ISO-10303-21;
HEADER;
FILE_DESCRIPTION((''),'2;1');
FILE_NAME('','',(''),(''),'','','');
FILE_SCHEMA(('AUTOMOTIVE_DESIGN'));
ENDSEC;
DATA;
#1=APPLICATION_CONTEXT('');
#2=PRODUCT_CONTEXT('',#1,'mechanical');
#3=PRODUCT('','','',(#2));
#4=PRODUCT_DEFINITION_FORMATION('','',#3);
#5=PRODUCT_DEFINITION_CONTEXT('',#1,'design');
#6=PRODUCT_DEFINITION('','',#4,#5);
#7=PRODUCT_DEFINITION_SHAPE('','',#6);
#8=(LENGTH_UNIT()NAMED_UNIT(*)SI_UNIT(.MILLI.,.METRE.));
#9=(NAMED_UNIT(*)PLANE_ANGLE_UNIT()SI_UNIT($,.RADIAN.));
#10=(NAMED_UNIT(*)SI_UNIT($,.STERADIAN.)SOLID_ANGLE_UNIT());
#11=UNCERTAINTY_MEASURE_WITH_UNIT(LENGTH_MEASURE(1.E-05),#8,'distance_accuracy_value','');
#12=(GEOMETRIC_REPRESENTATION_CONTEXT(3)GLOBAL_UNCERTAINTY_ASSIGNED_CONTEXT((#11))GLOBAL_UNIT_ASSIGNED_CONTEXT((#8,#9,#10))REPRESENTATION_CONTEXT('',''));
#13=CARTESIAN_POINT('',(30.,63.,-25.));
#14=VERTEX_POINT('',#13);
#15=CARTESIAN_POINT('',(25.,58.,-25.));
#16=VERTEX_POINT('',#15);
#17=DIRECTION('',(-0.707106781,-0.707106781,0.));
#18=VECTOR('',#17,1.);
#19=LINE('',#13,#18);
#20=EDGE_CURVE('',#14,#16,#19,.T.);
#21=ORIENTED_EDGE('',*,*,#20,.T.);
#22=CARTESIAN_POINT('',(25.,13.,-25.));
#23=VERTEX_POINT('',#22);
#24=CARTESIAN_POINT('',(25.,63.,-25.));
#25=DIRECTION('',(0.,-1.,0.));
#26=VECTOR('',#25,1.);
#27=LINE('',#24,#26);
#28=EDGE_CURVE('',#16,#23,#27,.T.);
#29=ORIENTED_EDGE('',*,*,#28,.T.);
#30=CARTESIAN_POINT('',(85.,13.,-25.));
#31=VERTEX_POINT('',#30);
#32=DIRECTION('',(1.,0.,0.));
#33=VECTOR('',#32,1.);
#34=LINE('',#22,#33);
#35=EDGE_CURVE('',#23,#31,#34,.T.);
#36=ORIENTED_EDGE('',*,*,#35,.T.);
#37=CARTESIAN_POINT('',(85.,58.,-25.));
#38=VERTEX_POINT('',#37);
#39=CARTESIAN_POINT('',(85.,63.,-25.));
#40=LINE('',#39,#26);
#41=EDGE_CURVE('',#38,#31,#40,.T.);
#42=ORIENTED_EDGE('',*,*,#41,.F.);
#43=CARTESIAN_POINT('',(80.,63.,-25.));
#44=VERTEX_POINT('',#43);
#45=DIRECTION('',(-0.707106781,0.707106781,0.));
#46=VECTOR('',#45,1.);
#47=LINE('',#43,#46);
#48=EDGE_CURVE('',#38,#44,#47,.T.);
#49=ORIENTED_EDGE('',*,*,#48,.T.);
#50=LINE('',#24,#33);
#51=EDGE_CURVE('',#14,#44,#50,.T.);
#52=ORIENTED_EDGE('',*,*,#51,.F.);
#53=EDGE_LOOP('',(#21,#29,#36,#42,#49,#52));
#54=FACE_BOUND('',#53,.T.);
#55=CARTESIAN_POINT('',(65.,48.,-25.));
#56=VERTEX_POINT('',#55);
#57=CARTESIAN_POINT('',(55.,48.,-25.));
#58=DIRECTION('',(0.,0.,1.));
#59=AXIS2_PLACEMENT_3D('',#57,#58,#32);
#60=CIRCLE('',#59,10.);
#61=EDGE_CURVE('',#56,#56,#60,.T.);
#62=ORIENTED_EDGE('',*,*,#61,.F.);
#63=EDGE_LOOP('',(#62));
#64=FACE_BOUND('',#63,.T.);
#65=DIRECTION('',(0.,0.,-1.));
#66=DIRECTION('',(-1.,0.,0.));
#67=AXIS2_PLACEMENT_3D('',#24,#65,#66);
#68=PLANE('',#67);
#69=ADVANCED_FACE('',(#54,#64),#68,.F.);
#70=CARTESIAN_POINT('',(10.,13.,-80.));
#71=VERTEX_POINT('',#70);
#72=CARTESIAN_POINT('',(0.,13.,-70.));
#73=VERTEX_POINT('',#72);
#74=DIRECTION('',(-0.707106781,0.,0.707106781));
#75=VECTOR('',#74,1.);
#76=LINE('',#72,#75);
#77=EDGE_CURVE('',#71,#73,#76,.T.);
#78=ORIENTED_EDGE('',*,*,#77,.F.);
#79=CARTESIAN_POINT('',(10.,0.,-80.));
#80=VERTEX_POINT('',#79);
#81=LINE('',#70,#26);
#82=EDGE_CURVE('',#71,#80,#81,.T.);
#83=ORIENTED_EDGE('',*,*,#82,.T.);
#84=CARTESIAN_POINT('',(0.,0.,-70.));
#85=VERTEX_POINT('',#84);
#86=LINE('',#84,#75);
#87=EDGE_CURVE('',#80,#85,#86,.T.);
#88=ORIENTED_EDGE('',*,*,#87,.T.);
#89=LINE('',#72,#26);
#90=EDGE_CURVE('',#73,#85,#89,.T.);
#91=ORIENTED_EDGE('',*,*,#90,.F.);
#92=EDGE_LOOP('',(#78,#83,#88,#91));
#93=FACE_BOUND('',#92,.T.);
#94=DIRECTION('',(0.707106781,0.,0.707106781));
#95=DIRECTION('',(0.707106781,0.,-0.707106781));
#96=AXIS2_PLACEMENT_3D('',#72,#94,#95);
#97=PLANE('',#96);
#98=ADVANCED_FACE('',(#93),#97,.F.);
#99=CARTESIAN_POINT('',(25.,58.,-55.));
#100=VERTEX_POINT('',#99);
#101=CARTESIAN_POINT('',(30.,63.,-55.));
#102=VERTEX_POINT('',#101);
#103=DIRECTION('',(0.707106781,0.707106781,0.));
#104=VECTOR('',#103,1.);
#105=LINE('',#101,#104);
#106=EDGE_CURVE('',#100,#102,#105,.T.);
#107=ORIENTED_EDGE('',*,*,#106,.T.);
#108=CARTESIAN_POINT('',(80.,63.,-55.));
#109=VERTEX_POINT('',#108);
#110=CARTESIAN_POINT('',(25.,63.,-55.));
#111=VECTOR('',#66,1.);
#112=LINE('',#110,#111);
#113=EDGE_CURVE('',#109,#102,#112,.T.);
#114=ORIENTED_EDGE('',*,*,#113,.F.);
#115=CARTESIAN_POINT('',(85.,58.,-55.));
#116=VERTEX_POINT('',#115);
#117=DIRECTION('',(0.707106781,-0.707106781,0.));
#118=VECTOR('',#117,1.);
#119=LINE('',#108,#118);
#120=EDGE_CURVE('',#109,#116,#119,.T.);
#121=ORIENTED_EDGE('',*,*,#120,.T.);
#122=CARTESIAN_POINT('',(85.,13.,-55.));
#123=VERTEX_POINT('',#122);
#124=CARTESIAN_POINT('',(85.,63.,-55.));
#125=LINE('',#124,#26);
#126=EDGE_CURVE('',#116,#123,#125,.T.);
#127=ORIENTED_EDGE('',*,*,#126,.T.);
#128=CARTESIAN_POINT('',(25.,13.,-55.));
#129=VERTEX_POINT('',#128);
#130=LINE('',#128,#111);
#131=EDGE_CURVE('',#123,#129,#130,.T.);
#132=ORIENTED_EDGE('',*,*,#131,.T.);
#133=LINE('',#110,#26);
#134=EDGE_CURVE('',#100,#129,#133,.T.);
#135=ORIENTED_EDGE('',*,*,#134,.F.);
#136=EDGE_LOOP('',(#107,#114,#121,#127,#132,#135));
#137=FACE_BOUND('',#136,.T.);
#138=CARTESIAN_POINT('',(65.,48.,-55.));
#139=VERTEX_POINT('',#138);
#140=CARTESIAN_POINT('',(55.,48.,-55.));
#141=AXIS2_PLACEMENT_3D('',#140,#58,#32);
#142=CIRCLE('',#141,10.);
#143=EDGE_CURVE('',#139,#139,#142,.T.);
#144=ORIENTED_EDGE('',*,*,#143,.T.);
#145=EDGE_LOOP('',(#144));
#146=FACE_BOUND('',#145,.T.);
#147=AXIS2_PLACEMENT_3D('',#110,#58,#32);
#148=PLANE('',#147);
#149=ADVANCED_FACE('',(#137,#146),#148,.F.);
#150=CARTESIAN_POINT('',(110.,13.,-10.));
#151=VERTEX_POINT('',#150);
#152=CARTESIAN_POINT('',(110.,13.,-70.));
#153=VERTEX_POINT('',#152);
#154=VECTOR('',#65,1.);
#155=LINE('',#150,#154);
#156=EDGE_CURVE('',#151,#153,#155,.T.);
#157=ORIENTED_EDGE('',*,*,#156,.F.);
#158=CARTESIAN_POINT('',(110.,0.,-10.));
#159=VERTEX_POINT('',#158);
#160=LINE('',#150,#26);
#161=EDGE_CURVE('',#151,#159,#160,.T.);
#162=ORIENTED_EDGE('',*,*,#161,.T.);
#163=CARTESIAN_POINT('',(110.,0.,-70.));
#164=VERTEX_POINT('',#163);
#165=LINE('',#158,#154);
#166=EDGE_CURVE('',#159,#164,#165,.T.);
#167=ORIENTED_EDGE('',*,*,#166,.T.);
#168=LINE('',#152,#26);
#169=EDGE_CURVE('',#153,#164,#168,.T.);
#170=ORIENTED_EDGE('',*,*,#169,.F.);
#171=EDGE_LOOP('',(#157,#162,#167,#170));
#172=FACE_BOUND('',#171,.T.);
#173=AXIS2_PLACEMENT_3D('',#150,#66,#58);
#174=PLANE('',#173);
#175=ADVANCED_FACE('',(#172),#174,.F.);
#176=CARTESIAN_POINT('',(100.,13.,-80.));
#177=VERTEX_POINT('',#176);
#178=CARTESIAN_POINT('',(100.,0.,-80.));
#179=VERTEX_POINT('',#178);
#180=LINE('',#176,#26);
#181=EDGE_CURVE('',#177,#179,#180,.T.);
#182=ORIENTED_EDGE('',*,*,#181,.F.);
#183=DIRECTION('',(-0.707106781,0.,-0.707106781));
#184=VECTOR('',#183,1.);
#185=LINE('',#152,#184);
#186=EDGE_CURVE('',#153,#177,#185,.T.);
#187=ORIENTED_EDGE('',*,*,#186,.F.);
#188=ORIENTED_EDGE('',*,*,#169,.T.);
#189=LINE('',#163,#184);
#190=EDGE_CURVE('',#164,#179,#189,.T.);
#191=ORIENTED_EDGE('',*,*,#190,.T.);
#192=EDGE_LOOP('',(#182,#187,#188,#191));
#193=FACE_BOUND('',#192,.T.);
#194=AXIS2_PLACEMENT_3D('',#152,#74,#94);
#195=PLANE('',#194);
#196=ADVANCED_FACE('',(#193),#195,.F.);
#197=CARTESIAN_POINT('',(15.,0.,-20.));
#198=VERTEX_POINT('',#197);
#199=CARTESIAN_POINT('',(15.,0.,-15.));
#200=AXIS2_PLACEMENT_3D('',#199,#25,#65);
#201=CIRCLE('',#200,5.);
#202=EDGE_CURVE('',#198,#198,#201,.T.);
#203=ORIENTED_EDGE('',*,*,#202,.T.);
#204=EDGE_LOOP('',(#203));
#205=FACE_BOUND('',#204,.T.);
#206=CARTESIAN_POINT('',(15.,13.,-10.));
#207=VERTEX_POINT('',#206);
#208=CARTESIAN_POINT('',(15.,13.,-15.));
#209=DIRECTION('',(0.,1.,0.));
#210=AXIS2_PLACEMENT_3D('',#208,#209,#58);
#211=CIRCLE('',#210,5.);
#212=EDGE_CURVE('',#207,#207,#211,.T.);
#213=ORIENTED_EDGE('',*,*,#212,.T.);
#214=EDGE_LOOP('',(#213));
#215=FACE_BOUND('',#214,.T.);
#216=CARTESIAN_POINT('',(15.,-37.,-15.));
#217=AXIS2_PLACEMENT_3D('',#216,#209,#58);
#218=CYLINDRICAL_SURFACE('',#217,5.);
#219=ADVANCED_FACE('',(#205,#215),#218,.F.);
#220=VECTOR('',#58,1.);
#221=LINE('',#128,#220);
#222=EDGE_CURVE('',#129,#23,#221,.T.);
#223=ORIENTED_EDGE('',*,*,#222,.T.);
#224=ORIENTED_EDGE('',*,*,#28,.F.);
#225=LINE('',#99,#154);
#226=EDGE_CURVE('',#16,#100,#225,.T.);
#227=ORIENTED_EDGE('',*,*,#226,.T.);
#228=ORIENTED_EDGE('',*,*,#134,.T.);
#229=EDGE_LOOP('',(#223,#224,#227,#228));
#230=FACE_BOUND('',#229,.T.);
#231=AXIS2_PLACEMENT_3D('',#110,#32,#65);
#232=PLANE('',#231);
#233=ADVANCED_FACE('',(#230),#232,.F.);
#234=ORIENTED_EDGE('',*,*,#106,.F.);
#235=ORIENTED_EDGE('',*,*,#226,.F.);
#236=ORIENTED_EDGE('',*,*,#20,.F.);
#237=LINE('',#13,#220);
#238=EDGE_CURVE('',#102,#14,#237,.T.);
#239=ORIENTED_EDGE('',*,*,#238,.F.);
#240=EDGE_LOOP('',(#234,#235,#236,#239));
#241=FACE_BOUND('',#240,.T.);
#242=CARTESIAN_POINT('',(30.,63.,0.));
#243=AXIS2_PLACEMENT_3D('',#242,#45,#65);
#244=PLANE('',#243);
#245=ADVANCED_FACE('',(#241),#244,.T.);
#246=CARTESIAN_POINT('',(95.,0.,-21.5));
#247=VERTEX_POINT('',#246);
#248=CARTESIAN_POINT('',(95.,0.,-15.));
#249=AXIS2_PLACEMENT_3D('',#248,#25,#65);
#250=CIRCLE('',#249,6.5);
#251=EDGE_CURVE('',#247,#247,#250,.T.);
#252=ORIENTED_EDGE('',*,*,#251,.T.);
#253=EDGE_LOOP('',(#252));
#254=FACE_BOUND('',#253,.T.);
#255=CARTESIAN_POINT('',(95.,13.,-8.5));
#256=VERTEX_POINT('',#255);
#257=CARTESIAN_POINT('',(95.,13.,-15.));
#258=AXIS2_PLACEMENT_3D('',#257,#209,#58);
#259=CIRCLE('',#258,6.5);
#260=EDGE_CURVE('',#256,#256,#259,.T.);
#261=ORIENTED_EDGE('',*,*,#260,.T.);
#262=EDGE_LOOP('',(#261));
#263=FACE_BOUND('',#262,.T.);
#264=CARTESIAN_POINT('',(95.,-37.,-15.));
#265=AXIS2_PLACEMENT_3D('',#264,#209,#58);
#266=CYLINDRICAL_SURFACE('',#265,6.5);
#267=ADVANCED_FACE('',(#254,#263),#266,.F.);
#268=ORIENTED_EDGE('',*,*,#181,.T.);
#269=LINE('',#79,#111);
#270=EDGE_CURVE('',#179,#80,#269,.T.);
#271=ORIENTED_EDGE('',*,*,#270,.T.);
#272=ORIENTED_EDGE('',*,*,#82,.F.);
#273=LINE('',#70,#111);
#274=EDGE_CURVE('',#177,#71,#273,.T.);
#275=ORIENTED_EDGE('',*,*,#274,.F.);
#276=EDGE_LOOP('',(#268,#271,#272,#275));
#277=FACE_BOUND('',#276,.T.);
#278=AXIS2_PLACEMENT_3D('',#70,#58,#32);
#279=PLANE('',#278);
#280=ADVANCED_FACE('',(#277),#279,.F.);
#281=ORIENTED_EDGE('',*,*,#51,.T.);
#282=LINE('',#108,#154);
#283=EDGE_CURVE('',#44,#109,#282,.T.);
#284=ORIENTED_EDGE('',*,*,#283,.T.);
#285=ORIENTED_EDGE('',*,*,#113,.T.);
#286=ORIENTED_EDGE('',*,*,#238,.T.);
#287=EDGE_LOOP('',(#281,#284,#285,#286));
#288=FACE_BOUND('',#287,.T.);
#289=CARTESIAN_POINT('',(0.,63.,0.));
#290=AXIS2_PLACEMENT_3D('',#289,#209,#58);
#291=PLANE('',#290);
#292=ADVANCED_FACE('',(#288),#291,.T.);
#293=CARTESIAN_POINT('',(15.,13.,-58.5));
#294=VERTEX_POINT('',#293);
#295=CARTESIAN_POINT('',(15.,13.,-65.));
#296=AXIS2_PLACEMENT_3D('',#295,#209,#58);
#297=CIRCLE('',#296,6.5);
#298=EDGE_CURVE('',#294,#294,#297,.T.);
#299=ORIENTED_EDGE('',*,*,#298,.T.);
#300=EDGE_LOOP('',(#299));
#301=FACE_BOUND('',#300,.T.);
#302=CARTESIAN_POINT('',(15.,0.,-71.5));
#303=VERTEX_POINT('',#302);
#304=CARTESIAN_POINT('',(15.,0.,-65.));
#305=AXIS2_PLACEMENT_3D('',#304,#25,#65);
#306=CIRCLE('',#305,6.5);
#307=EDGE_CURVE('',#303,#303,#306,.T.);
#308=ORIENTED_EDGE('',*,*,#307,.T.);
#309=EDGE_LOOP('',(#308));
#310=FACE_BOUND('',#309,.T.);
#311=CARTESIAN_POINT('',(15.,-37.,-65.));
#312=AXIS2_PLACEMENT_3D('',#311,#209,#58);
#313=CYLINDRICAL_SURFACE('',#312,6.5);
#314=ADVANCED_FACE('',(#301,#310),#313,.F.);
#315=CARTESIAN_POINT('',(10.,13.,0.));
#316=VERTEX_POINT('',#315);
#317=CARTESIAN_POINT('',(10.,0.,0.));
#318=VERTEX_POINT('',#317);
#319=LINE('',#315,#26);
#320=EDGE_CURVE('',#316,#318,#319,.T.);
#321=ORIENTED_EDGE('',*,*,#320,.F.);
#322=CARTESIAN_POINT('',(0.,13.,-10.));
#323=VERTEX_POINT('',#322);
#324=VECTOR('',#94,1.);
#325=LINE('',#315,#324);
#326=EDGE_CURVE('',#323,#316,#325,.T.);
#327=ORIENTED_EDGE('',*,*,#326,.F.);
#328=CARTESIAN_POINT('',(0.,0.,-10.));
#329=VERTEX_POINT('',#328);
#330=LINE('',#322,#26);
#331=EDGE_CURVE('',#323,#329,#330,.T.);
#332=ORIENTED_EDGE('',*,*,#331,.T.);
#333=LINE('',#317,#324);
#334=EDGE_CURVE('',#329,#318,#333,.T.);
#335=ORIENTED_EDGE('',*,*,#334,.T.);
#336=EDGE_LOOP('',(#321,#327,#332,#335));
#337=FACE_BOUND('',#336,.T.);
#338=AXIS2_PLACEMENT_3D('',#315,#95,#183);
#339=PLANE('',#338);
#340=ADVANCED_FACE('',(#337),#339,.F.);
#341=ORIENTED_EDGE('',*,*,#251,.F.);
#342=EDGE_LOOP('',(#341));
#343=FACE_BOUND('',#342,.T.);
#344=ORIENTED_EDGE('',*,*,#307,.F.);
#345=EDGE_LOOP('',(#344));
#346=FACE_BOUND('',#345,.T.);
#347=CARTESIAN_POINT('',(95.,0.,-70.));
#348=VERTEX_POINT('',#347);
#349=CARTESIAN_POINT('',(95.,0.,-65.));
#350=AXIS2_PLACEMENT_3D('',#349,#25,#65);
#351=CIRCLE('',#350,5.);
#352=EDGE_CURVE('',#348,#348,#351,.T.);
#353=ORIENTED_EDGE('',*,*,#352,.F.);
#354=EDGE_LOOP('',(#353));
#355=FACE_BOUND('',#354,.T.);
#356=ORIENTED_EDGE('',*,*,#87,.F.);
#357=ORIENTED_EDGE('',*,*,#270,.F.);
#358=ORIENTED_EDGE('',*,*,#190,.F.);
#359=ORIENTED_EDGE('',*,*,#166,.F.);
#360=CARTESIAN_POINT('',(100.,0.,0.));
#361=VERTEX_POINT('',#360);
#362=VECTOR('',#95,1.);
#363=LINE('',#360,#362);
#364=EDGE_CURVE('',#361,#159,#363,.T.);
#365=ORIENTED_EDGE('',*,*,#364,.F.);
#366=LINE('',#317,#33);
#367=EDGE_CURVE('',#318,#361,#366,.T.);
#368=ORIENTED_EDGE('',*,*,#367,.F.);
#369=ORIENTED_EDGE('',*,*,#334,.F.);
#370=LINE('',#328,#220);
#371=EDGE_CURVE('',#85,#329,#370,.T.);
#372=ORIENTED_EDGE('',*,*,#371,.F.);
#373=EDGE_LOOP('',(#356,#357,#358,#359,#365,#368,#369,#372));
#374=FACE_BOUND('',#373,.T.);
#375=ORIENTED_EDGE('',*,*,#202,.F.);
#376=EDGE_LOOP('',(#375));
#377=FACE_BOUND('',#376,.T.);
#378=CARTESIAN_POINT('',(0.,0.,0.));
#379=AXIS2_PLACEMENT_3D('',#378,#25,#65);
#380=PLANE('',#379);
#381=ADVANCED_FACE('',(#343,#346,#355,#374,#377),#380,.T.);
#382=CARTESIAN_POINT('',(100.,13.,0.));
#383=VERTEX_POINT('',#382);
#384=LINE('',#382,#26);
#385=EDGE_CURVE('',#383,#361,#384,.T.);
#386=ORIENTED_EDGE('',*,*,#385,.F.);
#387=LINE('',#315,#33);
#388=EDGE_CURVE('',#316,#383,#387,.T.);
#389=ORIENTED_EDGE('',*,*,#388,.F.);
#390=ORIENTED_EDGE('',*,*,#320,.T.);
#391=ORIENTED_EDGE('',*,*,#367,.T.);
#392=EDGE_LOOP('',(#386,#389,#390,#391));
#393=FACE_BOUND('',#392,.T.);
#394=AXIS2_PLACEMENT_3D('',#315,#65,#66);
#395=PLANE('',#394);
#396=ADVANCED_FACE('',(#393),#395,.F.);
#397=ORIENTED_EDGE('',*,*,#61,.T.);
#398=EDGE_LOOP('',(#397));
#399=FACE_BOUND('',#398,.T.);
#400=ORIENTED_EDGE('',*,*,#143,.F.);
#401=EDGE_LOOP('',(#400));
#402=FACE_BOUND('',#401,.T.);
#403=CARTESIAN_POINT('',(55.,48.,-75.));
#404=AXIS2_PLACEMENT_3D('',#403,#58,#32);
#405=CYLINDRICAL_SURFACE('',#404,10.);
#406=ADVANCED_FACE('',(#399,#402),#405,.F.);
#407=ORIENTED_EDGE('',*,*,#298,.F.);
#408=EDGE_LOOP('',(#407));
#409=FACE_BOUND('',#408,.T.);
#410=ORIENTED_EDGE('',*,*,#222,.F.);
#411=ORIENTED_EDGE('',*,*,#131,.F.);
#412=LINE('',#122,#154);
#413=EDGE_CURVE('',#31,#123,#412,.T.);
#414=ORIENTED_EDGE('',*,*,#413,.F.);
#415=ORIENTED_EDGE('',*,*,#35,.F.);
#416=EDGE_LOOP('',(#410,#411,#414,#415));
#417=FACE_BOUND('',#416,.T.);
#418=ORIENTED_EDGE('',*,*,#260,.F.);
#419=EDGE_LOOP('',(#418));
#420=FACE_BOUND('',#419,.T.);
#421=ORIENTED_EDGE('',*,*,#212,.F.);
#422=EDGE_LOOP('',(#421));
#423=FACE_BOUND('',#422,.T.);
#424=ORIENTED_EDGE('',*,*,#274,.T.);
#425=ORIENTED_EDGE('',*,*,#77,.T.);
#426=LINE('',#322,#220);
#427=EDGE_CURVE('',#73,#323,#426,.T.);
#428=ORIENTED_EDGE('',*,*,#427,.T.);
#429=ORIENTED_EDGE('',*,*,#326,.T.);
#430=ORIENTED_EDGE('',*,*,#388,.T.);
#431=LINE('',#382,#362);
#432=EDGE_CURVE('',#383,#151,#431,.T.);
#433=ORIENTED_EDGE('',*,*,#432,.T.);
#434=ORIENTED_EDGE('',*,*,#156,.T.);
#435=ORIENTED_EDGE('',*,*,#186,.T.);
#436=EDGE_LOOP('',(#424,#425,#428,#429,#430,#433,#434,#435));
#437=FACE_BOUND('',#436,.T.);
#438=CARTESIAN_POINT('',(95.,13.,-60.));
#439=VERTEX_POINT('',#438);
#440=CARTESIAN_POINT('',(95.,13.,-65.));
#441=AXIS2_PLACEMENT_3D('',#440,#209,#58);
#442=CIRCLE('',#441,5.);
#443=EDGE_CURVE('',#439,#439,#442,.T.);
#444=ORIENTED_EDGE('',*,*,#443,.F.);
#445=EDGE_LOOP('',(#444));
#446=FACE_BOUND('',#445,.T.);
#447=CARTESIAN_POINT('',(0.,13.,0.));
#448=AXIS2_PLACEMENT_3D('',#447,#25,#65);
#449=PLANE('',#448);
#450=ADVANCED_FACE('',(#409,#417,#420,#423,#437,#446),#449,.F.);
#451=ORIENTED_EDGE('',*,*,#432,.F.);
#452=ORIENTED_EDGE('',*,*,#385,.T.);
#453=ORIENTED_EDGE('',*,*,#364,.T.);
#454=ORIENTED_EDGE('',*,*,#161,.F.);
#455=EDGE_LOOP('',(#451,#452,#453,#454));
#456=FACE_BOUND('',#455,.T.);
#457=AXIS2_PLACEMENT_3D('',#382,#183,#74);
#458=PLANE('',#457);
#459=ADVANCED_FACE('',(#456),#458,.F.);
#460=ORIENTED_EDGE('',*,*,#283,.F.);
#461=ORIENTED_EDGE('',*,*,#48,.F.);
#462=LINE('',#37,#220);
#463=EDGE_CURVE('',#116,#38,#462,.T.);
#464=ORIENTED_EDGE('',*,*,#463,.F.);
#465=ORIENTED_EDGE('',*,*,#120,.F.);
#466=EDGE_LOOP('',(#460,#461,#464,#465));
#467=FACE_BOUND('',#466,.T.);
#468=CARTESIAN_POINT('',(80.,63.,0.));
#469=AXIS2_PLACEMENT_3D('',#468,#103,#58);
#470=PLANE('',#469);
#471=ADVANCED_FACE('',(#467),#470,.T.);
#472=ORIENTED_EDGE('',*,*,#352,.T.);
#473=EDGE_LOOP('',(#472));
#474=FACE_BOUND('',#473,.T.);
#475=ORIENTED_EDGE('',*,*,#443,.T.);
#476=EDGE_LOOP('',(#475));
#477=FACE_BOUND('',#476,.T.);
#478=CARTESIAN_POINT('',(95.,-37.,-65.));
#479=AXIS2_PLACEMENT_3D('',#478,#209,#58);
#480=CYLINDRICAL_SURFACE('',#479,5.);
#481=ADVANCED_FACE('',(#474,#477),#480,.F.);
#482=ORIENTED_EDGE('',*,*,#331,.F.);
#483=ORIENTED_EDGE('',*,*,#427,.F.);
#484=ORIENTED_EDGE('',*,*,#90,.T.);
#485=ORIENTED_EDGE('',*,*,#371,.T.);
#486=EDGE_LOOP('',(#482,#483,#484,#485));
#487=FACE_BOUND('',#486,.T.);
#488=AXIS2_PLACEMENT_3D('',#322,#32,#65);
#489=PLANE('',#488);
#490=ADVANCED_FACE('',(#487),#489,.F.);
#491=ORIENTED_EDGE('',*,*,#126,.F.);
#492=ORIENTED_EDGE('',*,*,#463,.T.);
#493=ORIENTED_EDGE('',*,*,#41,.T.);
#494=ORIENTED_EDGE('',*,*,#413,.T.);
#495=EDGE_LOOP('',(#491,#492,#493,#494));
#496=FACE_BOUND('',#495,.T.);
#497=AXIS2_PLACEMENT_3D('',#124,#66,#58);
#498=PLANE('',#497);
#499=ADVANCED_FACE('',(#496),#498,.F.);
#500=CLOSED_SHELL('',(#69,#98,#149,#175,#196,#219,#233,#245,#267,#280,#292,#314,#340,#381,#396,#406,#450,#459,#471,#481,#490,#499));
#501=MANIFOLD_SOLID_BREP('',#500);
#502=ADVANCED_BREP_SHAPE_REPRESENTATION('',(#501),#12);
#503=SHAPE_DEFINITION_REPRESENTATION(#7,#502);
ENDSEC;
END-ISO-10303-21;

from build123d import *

# Parameters (mm, degrees)
EXTRUDE_1_DEPTH     = 13
SKETCH_3_W          = 60
SKETCH_3_H          = 30
EXTRUDE_2_DEPTH     = 50
CHAMFER_1_SIZE      = 5
SKETCH_4_R          = 6.5
SKETCH_4_R_2        = 5
CUT_EXTRUDE_1_DEPTH = 50
SKETCH_5_R          = 10
CUT_EXTRUDE_2_DEPTH = 50


with BuildPart() as part:
    # Эскиз1 → Бобышка-Вытянуть1 (new body)
    with BuildSketch(Plane(origin=(0, 0, 0), x_dir=(1, 0, 0), z_dir=(0, 1, 0))):
        Polygon((0, 70), (10, 80), (100, 80), (110, 70), (110, 10), (100, 0), (10, 0), (0, 10), align=None)
    extrude(amount=EXTRUDE_1_DEPTH)

    # Эскиз3 → Бобышка-Вытянуть2 (add)
    with BuildSketch(Plane(origin=(0, 13, 0), x_dir=(1, 0, 0), z_dir=(0, 1, 0))):
        with Locations((55, 40)):
            Rectangle(SKETCH_3_W, SKETCH_3_H)
    extrude(amount=EXTRUDE_2_DEPTH)

    # Фаска1
    chamfer_1_edges = [part.edges().sort_by_distance(p)[0] for p in [
        (25, 63, -40),
        (85, 63, -40),
    ]]
    chamfer(chamfer_1_edges, length=CHAMFER_1_SIZE)

    # Эскиз4 → Вырез-Вытянуть1 (cut)
    with BuildSketch(Plane(origin=(0, 13, 0), x_dir=(1, 0, 0), z_dir=(0, 1, 0))):
        with Locations((15, 65)):
            Circle(SKETCH_4_R)
        with Locations((95, 15)):
            Circle(SKETCH_4_R)
        with Locations((95, 65)):
            Circle(SKETCH_4_R_2)
        with Locations((15, 15)):
            Circle(SKETCH_4_R_2)
    extrude(amount=-CUT_EXTRUDE_1_DEPTH, mode=Mode.SUBTRACT)

    # Эскиз5 → Вырез-Вытянуть2 (cut)
    with BuildSketch(Plane.XY.offset(-25)):
        with Locations((55, 48)):
            Circle(SKETCH_5_R)
    extrude(amount=-CUT_EXTRUDE_2_DEPTH, mode=Mode.SUBTRACT)


solid = part.part
